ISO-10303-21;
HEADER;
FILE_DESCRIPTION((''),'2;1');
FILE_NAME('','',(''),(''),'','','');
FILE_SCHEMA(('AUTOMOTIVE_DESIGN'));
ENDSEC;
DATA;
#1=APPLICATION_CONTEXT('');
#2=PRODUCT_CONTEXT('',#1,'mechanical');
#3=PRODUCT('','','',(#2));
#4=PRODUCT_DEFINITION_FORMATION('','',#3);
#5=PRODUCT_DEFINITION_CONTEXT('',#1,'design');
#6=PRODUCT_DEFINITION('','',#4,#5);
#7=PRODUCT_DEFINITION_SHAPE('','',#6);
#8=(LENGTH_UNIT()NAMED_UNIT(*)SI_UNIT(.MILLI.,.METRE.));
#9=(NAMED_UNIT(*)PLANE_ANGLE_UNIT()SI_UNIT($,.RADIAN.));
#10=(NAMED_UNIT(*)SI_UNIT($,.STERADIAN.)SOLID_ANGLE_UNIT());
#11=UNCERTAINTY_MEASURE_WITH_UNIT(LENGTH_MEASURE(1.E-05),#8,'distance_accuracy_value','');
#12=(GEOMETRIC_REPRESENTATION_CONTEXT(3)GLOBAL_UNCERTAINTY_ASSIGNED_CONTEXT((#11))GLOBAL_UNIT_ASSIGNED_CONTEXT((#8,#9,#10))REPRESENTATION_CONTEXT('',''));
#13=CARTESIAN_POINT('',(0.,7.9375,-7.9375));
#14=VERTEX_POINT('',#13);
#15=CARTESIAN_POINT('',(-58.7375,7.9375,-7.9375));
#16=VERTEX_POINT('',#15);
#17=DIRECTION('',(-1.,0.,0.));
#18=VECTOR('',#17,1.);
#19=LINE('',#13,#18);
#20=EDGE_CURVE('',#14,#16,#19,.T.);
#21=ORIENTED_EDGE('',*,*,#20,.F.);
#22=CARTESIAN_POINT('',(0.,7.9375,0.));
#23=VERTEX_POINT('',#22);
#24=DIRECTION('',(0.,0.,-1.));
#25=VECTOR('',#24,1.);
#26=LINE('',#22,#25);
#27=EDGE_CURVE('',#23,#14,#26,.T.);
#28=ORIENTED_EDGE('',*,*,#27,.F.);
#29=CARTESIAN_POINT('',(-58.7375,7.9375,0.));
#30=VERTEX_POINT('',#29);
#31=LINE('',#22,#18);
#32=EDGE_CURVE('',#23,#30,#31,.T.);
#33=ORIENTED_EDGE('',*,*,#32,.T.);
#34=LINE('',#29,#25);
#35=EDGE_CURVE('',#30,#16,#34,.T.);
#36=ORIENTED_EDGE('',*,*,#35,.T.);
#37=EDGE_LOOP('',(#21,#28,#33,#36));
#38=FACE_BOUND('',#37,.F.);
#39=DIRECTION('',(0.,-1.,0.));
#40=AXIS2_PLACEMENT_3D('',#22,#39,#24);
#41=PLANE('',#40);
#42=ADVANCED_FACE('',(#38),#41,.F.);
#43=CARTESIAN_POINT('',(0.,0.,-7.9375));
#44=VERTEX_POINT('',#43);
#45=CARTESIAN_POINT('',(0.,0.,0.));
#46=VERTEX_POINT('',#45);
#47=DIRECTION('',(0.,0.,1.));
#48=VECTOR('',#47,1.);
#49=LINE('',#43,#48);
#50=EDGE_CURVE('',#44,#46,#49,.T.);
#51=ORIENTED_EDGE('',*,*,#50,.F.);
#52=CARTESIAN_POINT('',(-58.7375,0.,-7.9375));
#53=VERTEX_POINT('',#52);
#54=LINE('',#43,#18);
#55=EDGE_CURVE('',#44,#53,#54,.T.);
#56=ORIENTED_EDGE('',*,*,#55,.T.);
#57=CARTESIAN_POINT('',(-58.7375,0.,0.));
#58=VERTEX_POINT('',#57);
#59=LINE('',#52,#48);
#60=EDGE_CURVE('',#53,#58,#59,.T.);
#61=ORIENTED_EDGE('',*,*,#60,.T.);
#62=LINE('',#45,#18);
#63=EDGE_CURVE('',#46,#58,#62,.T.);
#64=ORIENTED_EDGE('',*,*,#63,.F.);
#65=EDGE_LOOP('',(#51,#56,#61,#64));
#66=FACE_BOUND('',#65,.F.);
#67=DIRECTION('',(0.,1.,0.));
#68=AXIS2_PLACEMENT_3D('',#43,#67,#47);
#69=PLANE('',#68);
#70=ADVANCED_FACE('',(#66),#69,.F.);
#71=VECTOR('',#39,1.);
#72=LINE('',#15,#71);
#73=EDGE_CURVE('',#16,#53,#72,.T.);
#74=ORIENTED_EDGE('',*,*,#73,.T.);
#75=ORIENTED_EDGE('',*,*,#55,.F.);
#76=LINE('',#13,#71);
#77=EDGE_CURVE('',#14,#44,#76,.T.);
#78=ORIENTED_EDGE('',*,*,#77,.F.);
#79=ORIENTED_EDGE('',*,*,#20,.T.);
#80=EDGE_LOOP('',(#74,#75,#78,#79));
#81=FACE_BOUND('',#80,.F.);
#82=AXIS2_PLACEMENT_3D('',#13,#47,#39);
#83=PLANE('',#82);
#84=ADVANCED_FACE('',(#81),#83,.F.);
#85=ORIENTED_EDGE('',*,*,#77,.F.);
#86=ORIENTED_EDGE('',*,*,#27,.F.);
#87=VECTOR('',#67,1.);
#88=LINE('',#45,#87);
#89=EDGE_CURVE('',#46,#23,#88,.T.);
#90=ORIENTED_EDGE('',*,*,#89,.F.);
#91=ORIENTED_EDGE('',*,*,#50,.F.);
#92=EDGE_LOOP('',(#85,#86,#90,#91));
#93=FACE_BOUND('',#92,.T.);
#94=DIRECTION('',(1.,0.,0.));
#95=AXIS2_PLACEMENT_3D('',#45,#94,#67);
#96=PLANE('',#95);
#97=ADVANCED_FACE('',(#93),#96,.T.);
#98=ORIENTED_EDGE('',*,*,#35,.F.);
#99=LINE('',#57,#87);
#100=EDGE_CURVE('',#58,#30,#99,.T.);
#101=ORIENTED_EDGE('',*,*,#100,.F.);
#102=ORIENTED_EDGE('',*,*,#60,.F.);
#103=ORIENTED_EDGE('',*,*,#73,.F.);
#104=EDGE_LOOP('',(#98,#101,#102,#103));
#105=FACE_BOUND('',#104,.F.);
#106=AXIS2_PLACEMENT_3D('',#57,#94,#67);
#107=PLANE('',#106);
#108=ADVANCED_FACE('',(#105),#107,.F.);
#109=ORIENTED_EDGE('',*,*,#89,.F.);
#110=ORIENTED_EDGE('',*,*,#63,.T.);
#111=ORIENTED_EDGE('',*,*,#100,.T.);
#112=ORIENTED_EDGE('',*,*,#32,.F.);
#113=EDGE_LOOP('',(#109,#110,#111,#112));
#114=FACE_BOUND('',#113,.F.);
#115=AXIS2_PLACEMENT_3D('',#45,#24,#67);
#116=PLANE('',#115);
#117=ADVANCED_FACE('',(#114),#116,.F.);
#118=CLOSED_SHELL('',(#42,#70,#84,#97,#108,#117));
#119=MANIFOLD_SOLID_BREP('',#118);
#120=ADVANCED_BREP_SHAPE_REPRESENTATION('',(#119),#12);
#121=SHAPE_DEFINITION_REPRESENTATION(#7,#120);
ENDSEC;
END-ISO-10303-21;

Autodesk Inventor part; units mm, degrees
ref_plane "YZ Plane" through (0, 0, 0) normal (1, 0, 0) x (0, 1, 0)
ref_plane "XZ Plane" through (0, 0, 0) normal (0, 1, 0) x (-1, 0, 0)
ref_plane "XY Plane" through (0, 0, 0) normal (0, 0, 1) x (1, 0, 0)
sketch "Sketch1" plane through (0, 0, 0) normal (1, 0, 0) x (0, 1, 0)
  line L0 (0, 0) -> (7.9375, 0)
  line L1 (7.9375, 0) -> (7.9375, -7.9375)
  line L2 (7.9375, -7.9375) -> (0, -7.9375)
  line L3 (0, -7.9375) -> (0, 0)
  dimension "d0" = 7.9375
extrude "Extrusion1" add sketch "Sketch1" against normal blind 58.7375
properties part number "Nut"
